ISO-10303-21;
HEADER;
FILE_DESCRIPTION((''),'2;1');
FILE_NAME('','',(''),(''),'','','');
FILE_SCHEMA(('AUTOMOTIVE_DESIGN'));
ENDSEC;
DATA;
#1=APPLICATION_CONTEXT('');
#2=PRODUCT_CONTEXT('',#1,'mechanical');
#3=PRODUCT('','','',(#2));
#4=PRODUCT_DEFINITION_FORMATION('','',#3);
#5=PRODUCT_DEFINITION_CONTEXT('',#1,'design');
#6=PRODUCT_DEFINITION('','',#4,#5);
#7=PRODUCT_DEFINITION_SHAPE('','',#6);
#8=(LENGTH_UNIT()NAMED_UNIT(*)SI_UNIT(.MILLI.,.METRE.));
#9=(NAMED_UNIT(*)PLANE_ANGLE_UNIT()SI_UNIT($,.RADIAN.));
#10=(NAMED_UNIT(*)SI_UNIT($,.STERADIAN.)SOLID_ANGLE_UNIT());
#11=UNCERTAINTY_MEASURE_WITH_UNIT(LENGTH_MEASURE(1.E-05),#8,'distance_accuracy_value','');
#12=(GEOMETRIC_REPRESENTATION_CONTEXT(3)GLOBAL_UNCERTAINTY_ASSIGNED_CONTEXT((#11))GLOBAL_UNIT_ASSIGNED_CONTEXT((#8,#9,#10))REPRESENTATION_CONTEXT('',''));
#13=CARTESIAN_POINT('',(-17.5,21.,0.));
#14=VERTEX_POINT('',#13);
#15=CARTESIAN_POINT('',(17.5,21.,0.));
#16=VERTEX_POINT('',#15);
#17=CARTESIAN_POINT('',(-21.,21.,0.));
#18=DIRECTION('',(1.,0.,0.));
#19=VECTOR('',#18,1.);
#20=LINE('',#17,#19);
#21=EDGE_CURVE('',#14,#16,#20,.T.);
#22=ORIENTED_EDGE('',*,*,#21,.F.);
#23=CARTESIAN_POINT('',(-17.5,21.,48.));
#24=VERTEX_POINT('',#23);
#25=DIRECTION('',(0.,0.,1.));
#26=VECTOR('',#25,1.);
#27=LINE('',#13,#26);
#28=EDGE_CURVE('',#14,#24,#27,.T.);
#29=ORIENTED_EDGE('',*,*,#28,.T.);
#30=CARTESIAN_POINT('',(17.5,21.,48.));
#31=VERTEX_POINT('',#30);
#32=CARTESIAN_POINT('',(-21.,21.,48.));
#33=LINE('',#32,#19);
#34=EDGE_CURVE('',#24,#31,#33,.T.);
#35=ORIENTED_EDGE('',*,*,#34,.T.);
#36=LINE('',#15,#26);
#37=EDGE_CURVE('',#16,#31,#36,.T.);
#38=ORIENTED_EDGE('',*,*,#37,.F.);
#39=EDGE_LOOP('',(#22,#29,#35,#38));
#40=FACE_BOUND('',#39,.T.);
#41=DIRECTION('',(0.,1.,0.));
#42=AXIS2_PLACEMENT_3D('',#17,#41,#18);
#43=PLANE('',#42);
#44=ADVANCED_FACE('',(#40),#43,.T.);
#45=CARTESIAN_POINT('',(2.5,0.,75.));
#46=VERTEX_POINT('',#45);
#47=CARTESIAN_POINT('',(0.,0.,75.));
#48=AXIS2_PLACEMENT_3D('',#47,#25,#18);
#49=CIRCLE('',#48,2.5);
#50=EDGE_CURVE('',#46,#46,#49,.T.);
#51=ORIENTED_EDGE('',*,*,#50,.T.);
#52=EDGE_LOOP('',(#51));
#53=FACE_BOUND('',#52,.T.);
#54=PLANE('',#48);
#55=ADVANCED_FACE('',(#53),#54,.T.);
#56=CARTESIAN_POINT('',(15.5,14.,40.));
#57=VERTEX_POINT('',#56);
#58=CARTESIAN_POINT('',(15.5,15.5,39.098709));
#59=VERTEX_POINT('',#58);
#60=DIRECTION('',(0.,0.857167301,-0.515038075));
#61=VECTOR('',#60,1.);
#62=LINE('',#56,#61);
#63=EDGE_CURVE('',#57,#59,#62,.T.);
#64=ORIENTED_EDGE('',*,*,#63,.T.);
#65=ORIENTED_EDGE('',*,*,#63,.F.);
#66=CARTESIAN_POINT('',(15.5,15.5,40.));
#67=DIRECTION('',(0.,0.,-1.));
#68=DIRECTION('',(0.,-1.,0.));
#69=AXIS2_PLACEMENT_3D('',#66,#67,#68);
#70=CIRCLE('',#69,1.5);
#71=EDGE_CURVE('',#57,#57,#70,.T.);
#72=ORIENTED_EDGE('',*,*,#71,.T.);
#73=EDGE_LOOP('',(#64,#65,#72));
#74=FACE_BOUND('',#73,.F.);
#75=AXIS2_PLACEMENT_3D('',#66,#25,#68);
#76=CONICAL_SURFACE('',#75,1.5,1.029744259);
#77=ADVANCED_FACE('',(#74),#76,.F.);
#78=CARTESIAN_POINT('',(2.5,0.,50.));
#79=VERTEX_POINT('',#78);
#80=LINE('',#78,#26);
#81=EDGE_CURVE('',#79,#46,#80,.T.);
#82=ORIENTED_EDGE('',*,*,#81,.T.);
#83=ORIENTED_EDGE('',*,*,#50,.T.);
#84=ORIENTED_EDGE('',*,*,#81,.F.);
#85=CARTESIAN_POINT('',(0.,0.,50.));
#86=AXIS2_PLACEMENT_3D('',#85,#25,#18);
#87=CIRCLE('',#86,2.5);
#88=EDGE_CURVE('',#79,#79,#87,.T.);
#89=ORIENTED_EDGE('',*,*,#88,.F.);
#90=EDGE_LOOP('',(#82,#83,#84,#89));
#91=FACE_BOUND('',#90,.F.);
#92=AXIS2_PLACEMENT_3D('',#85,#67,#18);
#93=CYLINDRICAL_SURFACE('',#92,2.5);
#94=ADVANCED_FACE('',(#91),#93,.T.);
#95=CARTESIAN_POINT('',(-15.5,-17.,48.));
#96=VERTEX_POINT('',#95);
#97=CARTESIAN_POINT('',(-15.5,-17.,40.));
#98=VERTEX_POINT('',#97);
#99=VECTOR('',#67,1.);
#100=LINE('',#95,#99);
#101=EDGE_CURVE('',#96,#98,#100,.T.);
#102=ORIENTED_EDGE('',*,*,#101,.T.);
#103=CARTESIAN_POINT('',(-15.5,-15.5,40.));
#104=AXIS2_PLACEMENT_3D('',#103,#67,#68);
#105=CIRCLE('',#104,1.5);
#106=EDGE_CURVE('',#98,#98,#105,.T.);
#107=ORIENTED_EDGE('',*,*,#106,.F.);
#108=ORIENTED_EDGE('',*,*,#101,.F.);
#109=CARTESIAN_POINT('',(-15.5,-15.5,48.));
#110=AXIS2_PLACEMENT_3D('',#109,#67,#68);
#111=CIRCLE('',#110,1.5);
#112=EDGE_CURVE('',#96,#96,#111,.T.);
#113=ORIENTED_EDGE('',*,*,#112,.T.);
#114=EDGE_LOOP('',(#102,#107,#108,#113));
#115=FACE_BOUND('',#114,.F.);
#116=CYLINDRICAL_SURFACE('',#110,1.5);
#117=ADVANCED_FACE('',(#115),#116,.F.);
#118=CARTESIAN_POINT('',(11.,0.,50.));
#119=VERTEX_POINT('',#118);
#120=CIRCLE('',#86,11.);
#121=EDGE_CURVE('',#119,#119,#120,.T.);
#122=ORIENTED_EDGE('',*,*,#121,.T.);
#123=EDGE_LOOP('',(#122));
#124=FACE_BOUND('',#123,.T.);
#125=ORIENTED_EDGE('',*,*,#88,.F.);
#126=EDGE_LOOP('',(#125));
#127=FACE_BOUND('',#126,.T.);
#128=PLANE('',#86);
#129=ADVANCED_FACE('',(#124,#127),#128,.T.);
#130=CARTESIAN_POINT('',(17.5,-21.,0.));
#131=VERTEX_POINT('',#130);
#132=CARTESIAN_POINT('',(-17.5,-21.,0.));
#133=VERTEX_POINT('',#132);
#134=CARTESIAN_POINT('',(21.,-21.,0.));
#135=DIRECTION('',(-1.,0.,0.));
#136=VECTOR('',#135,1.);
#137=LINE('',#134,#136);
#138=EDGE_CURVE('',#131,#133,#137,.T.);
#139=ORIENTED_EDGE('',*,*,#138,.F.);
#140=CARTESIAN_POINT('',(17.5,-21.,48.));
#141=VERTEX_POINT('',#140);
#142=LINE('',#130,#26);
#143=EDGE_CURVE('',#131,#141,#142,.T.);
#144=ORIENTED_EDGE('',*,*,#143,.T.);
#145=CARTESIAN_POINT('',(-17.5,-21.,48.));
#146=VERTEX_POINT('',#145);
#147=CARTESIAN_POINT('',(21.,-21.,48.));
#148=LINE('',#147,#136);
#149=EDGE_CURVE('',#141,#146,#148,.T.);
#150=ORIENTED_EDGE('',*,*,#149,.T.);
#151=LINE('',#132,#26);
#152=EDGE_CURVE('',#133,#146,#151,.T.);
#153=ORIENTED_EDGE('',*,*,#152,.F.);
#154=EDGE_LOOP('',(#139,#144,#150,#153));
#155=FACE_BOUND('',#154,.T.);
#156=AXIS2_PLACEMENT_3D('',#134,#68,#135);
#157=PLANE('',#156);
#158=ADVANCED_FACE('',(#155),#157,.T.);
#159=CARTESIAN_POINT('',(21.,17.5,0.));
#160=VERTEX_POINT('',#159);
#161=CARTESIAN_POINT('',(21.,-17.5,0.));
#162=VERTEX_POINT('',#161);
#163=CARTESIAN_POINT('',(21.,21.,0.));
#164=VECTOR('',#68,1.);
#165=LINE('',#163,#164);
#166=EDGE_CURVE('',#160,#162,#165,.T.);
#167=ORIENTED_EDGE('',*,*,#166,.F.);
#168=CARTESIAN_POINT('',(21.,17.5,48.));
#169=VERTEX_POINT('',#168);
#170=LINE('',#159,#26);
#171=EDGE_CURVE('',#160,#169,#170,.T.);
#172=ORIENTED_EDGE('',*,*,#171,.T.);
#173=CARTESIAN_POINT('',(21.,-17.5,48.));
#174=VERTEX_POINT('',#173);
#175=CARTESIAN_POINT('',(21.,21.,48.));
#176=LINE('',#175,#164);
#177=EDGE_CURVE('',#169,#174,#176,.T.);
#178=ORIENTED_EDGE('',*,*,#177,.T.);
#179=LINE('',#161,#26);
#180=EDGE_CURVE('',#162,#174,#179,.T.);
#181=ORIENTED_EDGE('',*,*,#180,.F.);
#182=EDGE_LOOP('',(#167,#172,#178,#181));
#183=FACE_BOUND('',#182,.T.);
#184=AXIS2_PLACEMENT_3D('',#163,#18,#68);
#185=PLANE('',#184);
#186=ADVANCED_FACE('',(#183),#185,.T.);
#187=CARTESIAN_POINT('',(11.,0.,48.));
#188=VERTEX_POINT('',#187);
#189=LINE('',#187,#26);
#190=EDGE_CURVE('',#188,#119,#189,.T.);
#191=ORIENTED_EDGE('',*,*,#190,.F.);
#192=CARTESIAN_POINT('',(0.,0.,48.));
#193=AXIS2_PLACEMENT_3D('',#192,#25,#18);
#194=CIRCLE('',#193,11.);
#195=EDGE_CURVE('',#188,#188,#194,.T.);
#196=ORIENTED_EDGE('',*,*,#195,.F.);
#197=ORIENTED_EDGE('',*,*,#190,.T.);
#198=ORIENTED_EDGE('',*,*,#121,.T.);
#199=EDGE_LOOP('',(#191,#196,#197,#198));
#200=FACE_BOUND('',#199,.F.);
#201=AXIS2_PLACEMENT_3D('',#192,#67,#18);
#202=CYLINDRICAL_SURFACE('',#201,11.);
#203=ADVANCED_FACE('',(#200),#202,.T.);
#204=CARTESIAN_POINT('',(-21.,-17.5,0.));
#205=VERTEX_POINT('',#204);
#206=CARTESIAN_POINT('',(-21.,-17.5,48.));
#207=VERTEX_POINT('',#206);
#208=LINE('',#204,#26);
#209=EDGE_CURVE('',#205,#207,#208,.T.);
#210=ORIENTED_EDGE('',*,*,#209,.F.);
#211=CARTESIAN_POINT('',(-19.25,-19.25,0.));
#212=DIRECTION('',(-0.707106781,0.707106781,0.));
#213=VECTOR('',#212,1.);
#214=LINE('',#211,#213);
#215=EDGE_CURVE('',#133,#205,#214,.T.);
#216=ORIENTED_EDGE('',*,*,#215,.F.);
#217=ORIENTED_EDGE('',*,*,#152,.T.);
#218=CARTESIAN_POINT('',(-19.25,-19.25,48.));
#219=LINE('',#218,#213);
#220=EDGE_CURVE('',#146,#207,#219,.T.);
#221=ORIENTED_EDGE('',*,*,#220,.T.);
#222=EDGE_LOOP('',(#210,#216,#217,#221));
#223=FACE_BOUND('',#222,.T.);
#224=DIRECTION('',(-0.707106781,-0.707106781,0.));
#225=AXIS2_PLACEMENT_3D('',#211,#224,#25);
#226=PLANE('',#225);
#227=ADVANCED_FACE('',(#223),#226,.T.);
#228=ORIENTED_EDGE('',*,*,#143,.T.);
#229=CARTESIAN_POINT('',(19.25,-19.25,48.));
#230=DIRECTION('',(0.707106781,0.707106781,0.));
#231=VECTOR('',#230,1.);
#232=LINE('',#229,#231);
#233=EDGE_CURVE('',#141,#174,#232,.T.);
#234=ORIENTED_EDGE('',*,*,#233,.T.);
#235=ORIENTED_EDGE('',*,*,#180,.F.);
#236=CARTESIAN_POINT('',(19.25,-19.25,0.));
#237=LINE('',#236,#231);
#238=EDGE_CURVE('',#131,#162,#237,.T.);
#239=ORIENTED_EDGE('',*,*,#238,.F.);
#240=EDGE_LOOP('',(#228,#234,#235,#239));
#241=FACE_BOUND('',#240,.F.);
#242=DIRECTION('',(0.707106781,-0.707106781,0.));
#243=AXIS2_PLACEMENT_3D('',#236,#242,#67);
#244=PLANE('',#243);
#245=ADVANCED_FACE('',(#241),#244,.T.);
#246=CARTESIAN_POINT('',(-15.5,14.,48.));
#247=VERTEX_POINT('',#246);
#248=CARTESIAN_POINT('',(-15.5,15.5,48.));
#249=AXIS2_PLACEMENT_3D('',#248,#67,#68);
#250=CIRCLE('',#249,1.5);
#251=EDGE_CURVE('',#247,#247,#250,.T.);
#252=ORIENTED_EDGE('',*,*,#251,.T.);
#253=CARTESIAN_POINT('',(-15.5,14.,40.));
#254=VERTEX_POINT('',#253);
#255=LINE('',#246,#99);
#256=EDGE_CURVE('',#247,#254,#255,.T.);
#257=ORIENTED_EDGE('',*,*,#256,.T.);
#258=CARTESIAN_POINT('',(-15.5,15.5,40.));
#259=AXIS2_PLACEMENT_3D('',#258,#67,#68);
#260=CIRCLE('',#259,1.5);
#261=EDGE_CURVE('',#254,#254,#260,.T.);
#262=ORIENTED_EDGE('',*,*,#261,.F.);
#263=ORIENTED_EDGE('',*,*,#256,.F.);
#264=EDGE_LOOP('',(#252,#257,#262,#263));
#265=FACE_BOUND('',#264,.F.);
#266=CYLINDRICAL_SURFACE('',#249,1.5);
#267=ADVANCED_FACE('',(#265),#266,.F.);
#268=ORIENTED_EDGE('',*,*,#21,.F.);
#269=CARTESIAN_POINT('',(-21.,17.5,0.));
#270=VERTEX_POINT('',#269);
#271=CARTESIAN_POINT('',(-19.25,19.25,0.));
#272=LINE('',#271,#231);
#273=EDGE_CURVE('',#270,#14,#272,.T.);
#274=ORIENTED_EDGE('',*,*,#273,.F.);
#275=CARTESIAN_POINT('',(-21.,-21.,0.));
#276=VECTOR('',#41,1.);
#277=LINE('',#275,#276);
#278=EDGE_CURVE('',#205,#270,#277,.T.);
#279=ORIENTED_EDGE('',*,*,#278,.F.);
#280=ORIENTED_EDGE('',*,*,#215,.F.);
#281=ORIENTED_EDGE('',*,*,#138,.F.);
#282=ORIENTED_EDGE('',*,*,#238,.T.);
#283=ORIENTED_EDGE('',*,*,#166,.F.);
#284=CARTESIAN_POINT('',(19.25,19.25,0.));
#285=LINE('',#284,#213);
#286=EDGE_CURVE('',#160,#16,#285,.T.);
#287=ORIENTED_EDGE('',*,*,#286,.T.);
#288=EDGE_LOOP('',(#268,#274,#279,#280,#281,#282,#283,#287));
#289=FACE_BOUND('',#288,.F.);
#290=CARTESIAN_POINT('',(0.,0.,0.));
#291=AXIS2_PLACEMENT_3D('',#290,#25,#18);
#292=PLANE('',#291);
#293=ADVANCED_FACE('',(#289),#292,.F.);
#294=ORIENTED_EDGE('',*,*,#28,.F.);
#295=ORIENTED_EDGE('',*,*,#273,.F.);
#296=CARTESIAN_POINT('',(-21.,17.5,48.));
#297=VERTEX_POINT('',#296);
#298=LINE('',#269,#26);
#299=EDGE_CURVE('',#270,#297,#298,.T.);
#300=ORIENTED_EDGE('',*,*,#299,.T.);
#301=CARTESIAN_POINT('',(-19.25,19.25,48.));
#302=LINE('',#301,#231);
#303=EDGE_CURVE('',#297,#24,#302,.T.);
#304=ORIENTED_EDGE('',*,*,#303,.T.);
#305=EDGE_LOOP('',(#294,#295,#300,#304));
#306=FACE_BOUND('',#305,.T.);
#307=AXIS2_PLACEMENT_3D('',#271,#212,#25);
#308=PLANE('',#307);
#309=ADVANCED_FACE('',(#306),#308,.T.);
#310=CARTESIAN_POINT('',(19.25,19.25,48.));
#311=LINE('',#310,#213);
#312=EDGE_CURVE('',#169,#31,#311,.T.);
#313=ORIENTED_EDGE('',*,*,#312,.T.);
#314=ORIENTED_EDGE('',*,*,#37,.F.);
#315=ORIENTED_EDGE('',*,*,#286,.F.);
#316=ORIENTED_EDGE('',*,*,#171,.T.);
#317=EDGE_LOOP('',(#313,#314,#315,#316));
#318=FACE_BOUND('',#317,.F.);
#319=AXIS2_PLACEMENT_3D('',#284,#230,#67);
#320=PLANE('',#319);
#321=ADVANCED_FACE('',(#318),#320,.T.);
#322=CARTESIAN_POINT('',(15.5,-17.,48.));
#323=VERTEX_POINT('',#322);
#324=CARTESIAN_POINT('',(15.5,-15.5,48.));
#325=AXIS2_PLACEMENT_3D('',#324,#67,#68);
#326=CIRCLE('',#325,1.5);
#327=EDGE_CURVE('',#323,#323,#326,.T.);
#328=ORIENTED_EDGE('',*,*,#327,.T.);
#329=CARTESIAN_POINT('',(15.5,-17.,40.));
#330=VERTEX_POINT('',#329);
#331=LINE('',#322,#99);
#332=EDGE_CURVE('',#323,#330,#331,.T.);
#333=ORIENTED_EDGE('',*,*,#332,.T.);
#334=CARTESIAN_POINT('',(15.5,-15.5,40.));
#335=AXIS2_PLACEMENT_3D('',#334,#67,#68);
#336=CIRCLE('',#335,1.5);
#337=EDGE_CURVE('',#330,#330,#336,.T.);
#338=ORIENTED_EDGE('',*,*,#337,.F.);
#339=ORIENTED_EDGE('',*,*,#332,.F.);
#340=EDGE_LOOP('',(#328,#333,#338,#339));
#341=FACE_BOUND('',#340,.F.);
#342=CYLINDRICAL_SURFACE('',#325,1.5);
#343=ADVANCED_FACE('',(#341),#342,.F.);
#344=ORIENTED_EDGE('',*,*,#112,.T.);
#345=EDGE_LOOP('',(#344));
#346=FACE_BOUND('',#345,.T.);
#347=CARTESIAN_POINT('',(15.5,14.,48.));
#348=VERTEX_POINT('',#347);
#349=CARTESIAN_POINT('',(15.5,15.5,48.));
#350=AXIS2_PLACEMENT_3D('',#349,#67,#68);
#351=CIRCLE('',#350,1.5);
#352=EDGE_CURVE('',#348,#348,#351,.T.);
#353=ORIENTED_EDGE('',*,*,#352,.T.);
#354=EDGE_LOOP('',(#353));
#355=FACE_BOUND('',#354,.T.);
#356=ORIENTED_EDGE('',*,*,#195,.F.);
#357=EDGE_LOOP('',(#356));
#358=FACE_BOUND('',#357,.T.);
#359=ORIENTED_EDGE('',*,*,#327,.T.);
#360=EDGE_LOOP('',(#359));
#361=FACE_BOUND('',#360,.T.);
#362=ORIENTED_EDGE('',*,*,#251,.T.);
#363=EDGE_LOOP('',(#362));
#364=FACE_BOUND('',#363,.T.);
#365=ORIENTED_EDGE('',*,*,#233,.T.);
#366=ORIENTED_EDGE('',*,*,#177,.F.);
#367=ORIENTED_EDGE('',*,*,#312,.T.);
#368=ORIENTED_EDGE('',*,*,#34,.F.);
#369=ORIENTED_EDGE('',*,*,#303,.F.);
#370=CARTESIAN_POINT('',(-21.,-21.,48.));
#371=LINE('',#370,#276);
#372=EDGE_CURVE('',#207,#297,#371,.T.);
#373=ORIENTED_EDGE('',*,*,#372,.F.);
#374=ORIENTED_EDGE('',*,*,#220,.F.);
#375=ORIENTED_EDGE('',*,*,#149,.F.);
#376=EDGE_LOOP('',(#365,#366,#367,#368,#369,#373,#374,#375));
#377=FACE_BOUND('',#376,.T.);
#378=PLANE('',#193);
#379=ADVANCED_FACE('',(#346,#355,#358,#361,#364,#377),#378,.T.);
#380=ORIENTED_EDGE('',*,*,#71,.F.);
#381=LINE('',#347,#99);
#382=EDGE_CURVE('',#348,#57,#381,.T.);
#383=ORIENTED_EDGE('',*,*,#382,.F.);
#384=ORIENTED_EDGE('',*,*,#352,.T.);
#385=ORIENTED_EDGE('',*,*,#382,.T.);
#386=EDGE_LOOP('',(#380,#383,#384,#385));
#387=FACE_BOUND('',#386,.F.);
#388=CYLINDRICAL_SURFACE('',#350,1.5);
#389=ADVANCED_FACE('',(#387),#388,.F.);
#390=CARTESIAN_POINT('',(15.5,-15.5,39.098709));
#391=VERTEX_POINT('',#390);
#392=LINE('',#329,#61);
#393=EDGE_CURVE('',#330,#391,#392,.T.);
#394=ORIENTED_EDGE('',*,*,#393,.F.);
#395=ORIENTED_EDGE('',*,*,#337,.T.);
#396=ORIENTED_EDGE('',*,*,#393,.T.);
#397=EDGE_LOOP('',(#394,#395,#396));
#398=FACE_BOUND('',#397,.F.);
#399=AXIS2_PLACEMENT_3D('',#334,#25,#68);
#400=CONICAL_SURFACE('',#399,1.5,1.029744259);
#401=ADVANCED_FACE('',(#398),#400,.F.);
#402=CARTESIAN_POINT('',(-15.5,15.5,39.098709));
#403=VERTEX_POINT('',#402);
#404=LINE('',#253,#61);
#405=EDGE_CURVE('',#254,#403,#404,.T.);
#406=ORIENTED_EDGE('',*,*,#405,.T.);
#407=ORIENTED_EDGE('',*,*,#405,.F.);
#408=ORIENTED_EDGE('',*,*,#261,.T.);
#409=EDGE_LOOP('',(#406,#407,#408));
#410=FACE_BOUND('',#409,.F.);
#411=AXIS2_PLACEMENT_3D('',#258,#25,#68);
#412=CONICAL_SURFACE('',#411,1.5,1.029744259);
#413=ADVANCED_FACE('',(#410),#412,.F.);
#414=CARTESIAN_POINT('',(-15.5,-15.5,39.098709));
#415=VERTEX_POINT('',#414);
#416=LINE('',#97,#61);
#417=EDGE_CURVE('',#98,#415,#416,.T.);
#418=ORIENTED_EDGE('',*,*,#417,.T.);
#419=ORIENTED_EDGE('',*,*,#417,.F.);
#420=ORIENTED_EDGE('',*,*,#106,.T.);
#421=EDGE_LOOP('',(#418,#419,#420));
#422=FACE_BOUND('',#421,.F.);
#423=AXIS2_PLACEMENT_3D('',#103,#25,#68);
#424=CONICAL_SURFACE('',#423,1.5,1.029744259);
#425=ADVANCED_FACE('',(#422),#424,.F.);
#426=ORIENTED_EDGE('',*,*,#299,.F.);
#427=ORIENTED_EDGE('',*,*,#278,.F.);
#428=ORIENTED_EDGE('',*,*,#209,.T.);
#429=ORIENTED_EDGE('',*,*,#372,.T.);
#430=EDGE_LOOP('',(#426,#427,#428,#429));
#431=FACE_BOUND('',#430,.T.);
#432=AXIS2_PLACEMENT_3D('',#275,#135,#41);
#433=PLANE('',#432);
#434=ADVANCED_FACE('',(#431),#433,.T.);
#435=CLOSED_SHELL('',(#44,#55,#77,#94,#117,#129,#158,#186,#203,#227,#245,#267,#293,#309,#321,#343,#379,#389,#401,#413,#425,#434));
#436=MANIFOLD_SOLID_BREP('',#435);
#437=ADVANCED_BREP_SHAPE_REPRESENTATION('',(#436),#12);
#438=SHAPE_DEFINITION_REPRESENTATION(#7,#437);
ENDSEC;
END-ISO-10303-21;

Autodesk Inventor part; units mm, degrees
ref_plane "YZ Plane" through (0, 0, 0) normal (1, 0, 0) x (0, 1, 0)
ref_plane "XZ Plane" through (0, 0, 0) normal (0, 1, 0) x (-1, 0, 0)
ref_plane "XY Plane" through (0, 0, 0) normal (0, 0, 1) x (1, 0, 0)
sketch "Sketch1" plane through (0, 0, 0) normal (0, 0, 1) x (1, 0, 0)
  line L0 (21, -21) -> (-21, -21)
  line L1 (-21, -21) -> (-21, 21)
  line L2 (-21, 21) -> (21, 21)
  line L3 (21, 21) -> (21, -21)
  line L4 (21, -21) -> (-21, 21) construction
  line L5 (-21, -21) -> (21, 21) construction
  point P0 (0, 0)
  dimension "d0" = 42
extrude "Extrusion1" add sketch "Sketch1" along normal blind 48
sketch "Sketch2" plane through (0, 0, 48) normal (0, 0, 1) x (1, 0, 0)
  point P0 (0, 0)
  point P1 (-15.5, 15.5)
  point P2 (-15.5, -15.5)
  point P3 (15.5, -15.5)
  point P4 (15.5, 15.5)
  dimension "d3" = 31
  dimension "d4" = 31
  dimension "d5" = 15.5
  dimension "d6" = 15.5
hole "Hole1" at (-15.5, 15.5, 48) at (-15.5, -15.5, 48) at (15.5, -15.5, 48) at (15.5, 15.5, 48) direction (0, 0, -1) diameter 3 depth 8 tip angle 118
chamfer "Chamfer1" distance 3.5 angle 45 4 edges at (21, 21, 24) (21, -21, 24) (-21, 21, 24) (-21, -21, 24)
sketch "Sketch3" plane through (0, 0, 48) normal (0, 0, 1) x (1, 0, 0)
  circle A0 centre (0, 0) radius 11
  dimension "d17" = 22
extrude "Extrusion2" add sketch "Sketch3" along normal blind 2
sketch "Sketch4" plane through (0, 0, 50) normal (0, 0, 1) x (1, 0, 0)
  circle A0 centre (0, 0) radius 11 projected
  circle A1 centre (0, 0) radius 2.5
  dimension "d20" = 5
extrude "Extrusion3" add sketch "Sketch4" along normal blind 25 contours A1
equation "\"d4\" = d3"
equation "\"d5\" = 0.5 * d3"
equation "\"d6\" = 0.5 * d3"
properties part number "Motor_XY" material "Steel, Alloy"
